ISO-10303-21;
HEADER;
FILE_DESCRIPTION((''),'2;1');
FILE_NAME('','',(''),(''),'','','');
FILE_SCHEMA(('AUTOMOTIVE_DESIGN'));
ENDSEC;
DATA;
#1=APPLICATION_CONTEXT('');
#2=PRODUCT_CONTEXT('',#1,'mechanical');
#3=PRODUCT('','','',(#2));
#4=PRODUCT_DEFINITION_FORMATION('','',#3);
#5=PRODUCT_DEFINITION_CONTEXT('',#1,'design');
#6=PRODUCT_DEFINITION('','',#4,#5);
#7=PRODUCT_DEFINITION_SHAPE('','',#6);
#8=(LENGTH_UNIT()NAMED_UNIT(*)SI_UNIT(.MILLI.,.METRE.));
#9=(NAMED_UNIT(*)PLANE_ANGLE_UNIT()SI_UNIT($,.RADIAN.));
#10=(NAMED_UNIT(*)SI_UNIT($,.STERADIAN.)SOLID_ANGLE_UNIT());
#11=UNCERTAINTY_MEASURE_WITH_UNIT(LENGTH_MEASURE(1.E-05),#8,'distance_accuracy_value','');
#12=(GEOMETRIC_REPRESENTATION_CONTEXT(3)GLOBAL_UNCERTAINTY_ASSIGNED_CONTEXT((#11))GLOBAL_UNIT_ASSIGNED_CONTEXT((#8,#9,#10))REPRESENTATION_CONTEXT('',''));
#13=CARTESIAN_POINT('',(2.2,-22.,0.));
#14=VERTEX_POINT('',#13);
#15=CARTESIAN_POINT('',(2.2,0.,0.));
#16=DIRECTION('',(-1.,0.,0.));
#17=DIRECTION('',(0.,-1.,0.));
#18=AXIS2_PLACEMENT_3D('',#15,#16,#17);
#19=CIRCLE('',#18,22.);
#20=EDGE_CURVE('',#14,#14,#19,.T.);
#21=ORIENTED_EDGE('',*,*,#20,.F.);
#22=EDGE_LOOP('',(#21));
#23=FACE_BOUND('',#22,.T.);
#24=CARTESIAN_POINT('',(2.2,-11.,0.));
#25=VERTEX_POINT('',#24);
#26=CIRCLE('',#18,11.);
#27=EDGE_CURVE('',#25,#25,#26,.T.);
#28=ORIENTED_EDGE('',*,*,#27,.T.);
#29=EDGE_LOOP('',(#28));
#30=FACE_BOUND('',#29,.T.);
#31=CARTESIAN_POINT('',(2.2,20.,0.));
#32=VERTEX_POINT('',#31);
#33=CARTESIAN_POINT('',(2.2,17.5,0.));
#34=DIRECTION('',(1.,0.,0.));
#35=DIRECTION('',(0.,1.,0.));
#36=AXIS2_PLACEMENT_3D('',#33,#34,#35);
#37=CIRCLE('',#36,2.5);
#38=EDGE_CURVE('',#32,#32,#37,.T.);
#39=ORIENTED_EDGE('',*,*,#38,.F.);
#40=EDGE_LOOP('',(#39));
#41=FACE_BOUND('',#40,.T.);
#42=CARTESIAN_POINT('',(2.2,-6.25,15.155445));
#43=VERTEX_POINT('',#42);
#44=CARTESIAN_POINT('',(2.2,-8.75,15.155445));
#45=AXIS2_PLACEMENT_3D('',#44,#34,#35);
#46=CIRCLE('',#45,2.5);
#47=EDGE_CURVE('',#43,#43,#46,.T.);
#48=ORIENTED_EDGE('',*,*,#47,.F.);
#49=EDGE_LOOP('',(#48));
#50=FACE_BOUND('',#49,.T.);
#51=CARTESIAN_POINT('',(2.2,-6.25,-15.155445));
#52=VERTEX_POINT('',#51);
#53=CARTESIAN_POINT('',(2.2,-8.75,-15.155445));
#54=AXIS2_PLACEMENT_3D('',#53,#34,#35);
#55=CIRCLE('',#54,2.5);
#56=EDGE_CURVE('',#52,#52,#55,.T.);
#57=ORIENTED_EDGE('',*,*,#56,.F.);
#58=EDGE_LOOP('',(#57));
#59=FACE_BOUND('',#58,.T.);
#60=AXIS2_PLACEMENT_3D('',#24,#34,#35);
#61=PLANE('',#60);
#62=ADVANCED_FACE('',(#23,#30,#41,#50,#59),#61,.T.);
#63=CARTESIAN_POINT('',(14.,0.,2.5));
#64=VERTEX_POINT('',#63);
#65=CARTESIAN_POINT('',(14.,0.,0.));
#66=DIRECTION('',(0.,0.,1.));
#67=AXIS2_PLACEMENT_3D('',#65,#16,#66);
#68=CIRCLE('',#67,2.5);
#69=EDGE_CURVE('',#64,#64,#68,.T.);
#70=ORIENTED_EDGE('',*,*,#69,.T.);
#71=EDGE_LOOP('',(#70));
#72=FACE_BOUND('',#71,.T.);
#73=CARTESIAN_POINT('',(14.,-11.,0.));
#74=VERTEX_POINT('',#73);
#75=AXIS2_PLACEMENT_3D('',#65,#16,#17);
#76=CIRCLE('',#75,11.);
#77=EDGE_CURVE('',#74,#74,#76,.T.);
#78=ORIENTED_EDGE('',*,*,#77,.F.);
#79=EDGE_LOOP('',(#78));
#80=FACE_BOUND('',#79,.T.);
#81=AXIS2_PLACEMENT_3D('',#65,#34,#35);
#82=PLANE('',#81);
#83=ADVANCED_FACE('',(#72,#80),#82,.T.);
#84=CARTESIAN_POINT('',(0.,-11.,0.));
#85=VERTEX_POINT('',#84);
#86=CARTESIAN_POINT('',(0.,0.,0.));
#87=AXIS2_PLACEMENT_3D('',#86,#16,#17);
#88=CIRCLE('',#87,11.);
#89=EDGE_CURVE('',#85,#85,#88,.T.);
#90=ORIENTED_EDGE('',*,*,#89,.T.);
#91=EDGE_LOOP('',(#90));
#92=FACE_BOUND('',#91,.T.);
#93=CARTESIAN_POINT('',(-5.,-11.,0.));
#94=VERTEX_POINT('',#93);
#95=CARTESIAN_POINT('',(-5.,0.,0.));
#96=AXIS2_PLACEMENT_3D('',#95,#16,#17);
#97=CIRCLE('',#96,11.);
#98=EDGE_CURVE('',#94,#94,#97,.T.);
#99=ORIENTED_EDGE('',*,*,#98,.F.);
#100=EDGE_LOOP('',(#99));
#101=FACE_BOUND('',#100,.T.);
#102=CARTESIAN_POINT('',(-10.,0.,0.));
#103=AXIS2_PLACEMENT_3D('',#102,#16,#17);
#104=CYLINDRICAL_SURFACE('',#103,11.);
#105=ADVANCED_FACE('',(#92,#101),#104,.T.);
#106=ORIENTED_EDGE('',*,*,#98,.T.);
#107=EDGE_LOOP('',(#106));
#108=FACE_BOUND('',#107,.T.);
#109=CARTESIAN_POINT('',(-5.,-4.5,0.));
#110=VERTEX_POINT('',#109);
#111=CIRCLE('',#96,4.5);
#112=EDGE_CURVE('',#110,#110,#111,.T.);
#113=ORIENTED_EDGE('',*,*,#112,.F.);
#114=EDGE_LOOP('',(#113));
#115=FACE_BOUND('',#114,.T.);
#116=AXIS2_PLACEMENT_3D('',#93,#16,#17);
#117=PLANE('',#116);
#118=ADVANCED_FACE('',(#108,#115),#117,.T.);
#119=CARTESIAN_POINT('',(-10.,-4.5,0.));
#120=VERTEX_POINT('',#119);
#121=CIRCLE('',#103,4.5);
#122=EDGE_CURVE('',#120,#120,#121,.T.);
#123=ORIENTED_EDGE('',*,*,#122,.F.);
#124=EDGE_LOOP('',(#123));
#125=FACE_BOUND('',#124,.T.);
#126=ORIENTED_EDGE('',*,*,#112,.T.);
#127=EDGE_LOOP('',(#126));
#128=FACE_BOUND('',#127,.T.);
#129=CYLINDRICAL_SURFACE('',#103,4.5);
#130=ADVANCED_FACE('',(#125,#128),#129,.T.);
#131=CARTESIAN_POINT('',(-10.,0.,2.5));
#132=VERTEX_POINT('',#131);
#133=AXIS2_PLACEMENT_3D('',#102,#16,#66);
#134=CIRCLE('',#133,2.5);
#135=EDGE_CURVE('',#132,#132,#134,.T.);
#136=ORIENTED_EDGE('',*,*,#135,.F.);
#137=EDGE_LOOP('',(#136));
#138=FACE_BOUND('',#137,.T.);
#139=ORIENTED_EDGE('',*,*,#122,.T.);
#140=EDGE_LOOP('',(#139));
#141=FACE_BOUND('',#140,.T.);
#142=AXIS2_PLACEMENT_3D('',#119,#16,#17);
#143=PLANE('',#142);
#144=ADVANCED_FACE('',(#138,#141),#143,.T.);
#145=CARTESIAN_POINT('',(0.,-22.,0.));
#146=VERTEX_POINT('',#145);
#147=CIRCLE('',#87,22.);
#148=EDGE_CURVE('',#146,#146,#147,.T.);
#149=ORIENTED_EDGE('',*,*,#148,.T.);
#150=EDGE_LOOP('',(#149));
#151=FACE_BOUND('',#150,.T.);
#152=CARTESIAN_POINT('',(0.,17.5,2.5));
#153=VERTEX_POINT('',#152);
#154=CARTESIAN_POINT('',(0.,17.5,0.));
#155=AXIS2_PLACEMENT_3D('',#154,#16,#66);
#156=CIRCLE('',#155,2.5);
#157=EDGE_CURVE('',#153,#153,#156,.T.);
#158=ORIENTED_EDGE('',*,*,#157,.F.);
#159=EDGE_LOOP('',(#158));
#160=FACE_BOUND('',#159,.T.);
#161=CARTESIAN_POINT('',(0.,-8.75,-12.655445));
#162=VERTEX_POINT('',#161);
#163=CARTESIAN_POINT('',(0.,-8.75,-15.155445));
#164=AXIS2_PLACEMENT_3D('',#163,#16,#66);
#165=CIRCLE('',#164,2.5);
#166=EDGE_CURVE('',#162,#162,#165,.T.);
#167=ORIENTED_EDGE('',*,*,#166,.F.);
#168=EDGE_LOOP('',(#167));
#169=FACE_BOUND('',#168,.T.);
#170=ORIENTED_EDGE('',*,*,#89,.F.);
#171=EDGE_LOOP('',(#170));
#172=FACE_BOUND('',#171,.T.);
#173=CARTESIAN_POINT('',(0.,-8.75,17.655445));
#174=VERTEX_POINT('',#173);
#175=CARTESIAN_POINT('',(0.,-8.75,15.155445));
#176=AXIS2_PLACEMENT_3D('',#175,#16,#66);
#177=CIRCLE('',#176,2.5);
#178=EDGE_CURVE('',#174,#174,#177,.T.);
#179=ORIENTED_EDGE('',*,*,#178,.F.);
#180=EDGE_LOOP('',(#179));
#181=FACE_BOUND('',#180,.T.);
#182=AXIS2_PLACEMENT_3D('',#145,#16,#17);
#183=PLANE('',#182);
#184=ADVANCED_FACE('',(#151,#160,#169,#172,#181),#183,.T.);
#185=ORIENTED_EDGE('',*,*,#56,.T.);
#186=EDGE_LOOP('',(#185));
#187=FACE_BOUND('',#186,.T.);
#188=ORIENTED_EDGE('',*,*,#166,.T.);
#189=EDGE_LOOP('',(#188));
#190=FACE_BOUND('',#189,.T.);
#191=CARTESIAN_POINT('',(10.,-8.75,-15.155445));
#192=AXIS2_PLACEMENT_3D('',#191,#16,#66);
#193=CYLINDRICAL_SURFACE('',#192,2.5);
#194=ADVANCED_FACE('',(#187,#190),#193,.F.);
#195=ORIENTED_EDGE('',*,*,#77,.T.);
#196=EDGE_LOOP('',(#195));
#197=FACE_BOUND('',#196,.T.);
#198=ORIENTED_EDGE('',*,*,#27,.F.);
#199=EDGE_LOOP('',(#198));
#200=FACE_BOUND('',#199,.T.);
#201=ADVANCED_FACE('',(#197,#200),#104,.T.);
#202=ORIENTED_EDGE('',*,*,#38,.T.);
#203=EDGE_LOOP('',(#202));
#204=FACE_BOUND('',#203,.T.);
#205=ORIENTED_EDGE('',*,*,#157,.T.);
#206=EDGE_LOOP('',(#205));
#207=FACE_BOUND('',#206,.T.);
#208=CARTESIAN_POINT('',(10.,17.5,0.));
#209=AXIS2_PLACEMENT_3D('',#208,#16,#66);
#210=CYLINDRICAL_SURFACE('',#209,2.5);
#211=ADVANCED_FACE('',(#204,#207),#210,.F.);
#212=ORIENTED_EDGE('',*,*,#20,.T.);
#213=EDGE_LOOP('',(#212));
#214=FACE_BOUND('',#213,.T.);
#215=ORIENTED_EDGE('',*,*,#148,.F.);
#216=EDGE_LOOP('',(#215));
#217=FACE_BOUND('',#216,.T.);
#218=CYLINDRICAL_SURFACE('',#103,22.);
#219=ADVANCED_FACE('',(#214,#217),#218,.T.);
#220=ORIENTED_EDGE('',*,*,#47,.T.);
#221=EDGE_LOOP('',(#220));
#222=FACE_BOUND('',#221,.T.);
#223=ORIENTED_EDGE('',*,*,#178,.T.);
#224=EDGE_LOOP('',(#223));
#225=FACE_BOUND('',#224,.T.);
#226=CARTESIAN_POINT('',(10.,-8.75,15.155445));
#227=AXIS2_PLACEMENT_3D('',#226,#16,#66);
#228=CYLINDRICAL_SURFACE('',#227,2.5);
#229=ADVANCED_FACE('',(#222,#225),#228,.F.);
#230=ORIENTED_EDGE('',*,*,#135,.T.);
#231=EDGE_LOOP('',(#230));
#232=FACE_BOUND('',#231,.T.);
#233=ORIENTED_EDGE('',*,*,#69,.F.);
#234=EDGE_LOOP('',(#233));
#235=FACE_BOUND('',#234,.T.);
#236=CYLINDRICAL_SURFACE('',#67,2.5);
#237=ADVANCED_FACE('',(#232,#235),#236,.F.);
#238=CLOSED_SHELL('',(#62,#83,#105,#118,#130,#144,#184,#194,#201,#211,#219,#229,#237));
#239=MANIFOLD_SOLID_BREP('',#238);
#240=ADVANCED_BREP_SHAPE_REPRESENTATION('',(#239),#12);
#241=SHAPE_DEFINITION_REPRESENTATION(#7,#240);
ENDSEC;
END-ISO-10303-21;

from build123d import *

# Parameters (mm, degrees)
SKETCH_2_R          = 2.5
CUT_EXTRUDE_1_DEPTH = 10
SKETCH_3_R          = 2.5
CUT_EXTRUDE_2_DEPTH = 40.293765409


with BuildPart() as part:
    # 草图1 → 旋转1 (revolve)
    with BuildSketch(Plane.XY):
        Polygon((-10, 0), (14, 0), (14, -11), (2.2, -11), (2.2, -22), (0, -22), (0, -11), (-5, -11), (-5, -4.5), (-10, -4.5), align=None)
    revolve(axis=Axis((-10, 0, 0), (1, 0, 0)))

    # 草图2 → 切除-拉伸1 (cut)
    with BuildSketch(Plane.ZY):
        with Locations((0, 17.5)):
            Circle(SKETCH_2_R)
        with Locations((15.155444566, -8.75)):
            Circle(SKETCH_2_R)
        with Locations((-15.155444566, -8.75)):
            Circle(SKETCH_2_R)
    extrude(amount=-CUT_EXTRUDE_1_DEPTH, mode=Mode.SUBTRACT)

    # 草图3 → 切除-拉伸2 (cut, through all)
    with BuildSketch(Plane.ZY.offset(10)):
        Circle(SKETCH_3_R)
    extrude(amount=-CUT_EXTRUDE_2_DEPTH, mode=Mode.SUBTRACT)


solid = part.part
